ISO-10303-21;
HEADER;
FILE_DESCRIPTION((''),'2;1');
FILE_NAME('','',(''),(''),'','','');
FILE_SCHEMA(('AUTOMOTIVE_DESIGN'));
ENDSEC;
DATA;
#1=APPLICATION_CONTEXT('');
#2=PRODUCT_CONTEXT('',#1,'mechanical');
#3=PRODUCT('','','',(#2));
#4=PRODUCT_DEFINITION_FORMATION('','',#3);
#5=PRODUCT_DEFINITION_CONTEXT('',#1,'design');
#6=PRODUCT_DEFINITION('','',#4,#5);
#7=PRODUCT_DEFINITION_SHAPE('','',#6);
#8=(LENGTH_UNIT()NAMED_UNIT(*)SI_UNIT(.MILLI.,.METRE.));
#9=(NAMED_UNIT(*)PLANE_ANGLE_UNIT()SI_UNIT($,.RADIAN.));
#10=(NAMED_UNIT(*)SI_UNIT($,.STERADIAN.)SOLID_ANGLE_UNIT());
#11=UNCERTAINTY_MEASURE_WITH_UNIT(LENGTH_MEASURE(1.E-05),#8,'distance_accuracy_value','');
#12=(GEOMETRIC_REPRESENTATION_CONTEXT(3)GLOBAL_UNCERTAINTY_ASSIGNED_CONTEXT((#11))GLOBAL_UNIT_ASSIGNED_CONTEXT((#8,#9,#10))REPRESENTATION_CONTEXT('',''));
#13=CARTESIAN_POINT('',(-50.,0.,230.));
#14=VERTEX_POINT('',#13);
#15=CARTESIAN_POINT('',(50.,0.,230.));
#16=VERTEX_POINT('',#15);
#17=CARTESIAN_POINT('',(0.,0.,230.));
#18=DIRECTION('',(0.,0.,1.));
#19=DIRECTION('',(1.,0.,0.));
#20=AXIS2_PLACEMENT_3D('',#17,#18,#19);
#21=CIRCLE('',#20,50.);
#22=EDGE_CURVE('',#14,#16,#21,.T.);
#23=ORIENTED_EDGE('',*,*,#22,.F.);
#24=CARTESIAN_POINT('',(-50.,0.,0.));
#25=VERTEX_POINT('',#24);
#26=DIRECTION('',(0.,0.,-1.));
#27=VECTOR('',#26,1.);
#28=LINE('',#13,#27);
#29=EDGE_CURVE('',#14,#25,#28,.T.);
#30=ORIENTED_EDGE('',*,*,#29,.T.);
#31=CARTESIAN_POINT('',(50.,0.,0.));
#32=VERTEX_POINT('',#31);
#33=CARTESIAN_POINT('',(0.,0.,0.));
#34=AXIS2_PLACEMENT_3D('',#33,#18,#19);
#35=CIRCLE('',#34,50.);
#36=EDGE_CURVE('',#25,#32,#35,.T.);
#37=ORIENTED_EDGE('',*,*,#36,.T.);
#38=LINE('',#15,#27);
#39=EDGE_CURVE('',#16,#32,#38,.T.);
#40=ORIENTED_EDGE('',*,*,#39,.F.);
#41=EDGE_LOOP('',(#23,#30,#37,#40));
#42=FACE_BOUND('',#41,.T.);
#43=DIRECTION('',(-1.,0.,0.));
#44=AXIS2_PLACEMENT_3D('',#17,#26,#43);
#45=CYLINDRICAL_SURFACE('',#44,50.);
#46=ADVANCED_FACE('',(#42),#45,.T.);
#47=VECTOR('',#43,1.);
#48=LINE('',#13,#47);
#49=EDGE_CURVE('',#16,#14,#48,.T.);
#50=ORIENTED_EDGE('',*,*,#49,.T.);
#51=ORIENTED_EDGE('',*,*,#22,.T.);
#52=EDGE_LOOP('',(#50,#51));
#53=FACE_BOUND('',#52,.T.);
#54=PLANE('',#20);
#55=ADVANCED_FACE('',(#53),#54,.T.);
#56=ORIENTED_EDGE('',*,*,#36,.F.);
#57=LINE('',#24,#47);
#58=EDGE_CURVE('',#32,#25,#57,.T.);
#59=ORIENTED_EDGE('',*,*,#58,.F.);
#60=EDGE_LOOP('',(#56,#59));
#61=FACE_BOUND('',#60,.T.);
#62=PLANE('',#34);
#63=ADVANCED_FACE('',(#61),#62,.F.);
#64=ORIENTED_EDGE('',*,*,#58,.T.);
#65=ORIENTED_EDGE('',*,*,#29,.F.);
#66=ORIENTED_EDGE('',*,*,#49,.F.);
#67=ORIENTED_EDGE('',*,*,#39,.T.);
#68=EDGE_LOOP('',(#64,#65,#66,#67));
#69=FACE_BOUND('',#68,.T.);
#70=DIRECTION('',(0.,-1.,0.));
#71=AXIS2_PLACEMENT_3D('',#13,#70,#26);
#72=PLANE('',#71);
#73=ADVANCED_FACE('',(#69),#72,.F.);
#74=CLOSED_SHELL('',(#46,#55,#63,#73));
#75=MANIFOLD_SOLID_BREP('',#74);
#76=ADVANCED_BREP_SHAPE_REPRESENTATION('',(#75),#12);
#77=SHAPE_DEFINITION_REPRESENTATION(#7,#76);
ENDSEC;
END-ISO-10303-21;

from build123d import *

# Parameters (mm, degrees)
BOSS_EXTRUDE1_DEPTH = 230


with BuildPart() as part:
    # Sketch1 → Boss-Extrude1 (new body)
    with BuildSketch(Plane.XY):
        with BuildLine():
            Line((-50, 0), (50, 0))
            ThreePointArc((50, 0), (0, -50), (-50, 0))
        make_face()
    extrude(amount=BOSS_EXTRUDE1_DEPTH)


solid = part.part
